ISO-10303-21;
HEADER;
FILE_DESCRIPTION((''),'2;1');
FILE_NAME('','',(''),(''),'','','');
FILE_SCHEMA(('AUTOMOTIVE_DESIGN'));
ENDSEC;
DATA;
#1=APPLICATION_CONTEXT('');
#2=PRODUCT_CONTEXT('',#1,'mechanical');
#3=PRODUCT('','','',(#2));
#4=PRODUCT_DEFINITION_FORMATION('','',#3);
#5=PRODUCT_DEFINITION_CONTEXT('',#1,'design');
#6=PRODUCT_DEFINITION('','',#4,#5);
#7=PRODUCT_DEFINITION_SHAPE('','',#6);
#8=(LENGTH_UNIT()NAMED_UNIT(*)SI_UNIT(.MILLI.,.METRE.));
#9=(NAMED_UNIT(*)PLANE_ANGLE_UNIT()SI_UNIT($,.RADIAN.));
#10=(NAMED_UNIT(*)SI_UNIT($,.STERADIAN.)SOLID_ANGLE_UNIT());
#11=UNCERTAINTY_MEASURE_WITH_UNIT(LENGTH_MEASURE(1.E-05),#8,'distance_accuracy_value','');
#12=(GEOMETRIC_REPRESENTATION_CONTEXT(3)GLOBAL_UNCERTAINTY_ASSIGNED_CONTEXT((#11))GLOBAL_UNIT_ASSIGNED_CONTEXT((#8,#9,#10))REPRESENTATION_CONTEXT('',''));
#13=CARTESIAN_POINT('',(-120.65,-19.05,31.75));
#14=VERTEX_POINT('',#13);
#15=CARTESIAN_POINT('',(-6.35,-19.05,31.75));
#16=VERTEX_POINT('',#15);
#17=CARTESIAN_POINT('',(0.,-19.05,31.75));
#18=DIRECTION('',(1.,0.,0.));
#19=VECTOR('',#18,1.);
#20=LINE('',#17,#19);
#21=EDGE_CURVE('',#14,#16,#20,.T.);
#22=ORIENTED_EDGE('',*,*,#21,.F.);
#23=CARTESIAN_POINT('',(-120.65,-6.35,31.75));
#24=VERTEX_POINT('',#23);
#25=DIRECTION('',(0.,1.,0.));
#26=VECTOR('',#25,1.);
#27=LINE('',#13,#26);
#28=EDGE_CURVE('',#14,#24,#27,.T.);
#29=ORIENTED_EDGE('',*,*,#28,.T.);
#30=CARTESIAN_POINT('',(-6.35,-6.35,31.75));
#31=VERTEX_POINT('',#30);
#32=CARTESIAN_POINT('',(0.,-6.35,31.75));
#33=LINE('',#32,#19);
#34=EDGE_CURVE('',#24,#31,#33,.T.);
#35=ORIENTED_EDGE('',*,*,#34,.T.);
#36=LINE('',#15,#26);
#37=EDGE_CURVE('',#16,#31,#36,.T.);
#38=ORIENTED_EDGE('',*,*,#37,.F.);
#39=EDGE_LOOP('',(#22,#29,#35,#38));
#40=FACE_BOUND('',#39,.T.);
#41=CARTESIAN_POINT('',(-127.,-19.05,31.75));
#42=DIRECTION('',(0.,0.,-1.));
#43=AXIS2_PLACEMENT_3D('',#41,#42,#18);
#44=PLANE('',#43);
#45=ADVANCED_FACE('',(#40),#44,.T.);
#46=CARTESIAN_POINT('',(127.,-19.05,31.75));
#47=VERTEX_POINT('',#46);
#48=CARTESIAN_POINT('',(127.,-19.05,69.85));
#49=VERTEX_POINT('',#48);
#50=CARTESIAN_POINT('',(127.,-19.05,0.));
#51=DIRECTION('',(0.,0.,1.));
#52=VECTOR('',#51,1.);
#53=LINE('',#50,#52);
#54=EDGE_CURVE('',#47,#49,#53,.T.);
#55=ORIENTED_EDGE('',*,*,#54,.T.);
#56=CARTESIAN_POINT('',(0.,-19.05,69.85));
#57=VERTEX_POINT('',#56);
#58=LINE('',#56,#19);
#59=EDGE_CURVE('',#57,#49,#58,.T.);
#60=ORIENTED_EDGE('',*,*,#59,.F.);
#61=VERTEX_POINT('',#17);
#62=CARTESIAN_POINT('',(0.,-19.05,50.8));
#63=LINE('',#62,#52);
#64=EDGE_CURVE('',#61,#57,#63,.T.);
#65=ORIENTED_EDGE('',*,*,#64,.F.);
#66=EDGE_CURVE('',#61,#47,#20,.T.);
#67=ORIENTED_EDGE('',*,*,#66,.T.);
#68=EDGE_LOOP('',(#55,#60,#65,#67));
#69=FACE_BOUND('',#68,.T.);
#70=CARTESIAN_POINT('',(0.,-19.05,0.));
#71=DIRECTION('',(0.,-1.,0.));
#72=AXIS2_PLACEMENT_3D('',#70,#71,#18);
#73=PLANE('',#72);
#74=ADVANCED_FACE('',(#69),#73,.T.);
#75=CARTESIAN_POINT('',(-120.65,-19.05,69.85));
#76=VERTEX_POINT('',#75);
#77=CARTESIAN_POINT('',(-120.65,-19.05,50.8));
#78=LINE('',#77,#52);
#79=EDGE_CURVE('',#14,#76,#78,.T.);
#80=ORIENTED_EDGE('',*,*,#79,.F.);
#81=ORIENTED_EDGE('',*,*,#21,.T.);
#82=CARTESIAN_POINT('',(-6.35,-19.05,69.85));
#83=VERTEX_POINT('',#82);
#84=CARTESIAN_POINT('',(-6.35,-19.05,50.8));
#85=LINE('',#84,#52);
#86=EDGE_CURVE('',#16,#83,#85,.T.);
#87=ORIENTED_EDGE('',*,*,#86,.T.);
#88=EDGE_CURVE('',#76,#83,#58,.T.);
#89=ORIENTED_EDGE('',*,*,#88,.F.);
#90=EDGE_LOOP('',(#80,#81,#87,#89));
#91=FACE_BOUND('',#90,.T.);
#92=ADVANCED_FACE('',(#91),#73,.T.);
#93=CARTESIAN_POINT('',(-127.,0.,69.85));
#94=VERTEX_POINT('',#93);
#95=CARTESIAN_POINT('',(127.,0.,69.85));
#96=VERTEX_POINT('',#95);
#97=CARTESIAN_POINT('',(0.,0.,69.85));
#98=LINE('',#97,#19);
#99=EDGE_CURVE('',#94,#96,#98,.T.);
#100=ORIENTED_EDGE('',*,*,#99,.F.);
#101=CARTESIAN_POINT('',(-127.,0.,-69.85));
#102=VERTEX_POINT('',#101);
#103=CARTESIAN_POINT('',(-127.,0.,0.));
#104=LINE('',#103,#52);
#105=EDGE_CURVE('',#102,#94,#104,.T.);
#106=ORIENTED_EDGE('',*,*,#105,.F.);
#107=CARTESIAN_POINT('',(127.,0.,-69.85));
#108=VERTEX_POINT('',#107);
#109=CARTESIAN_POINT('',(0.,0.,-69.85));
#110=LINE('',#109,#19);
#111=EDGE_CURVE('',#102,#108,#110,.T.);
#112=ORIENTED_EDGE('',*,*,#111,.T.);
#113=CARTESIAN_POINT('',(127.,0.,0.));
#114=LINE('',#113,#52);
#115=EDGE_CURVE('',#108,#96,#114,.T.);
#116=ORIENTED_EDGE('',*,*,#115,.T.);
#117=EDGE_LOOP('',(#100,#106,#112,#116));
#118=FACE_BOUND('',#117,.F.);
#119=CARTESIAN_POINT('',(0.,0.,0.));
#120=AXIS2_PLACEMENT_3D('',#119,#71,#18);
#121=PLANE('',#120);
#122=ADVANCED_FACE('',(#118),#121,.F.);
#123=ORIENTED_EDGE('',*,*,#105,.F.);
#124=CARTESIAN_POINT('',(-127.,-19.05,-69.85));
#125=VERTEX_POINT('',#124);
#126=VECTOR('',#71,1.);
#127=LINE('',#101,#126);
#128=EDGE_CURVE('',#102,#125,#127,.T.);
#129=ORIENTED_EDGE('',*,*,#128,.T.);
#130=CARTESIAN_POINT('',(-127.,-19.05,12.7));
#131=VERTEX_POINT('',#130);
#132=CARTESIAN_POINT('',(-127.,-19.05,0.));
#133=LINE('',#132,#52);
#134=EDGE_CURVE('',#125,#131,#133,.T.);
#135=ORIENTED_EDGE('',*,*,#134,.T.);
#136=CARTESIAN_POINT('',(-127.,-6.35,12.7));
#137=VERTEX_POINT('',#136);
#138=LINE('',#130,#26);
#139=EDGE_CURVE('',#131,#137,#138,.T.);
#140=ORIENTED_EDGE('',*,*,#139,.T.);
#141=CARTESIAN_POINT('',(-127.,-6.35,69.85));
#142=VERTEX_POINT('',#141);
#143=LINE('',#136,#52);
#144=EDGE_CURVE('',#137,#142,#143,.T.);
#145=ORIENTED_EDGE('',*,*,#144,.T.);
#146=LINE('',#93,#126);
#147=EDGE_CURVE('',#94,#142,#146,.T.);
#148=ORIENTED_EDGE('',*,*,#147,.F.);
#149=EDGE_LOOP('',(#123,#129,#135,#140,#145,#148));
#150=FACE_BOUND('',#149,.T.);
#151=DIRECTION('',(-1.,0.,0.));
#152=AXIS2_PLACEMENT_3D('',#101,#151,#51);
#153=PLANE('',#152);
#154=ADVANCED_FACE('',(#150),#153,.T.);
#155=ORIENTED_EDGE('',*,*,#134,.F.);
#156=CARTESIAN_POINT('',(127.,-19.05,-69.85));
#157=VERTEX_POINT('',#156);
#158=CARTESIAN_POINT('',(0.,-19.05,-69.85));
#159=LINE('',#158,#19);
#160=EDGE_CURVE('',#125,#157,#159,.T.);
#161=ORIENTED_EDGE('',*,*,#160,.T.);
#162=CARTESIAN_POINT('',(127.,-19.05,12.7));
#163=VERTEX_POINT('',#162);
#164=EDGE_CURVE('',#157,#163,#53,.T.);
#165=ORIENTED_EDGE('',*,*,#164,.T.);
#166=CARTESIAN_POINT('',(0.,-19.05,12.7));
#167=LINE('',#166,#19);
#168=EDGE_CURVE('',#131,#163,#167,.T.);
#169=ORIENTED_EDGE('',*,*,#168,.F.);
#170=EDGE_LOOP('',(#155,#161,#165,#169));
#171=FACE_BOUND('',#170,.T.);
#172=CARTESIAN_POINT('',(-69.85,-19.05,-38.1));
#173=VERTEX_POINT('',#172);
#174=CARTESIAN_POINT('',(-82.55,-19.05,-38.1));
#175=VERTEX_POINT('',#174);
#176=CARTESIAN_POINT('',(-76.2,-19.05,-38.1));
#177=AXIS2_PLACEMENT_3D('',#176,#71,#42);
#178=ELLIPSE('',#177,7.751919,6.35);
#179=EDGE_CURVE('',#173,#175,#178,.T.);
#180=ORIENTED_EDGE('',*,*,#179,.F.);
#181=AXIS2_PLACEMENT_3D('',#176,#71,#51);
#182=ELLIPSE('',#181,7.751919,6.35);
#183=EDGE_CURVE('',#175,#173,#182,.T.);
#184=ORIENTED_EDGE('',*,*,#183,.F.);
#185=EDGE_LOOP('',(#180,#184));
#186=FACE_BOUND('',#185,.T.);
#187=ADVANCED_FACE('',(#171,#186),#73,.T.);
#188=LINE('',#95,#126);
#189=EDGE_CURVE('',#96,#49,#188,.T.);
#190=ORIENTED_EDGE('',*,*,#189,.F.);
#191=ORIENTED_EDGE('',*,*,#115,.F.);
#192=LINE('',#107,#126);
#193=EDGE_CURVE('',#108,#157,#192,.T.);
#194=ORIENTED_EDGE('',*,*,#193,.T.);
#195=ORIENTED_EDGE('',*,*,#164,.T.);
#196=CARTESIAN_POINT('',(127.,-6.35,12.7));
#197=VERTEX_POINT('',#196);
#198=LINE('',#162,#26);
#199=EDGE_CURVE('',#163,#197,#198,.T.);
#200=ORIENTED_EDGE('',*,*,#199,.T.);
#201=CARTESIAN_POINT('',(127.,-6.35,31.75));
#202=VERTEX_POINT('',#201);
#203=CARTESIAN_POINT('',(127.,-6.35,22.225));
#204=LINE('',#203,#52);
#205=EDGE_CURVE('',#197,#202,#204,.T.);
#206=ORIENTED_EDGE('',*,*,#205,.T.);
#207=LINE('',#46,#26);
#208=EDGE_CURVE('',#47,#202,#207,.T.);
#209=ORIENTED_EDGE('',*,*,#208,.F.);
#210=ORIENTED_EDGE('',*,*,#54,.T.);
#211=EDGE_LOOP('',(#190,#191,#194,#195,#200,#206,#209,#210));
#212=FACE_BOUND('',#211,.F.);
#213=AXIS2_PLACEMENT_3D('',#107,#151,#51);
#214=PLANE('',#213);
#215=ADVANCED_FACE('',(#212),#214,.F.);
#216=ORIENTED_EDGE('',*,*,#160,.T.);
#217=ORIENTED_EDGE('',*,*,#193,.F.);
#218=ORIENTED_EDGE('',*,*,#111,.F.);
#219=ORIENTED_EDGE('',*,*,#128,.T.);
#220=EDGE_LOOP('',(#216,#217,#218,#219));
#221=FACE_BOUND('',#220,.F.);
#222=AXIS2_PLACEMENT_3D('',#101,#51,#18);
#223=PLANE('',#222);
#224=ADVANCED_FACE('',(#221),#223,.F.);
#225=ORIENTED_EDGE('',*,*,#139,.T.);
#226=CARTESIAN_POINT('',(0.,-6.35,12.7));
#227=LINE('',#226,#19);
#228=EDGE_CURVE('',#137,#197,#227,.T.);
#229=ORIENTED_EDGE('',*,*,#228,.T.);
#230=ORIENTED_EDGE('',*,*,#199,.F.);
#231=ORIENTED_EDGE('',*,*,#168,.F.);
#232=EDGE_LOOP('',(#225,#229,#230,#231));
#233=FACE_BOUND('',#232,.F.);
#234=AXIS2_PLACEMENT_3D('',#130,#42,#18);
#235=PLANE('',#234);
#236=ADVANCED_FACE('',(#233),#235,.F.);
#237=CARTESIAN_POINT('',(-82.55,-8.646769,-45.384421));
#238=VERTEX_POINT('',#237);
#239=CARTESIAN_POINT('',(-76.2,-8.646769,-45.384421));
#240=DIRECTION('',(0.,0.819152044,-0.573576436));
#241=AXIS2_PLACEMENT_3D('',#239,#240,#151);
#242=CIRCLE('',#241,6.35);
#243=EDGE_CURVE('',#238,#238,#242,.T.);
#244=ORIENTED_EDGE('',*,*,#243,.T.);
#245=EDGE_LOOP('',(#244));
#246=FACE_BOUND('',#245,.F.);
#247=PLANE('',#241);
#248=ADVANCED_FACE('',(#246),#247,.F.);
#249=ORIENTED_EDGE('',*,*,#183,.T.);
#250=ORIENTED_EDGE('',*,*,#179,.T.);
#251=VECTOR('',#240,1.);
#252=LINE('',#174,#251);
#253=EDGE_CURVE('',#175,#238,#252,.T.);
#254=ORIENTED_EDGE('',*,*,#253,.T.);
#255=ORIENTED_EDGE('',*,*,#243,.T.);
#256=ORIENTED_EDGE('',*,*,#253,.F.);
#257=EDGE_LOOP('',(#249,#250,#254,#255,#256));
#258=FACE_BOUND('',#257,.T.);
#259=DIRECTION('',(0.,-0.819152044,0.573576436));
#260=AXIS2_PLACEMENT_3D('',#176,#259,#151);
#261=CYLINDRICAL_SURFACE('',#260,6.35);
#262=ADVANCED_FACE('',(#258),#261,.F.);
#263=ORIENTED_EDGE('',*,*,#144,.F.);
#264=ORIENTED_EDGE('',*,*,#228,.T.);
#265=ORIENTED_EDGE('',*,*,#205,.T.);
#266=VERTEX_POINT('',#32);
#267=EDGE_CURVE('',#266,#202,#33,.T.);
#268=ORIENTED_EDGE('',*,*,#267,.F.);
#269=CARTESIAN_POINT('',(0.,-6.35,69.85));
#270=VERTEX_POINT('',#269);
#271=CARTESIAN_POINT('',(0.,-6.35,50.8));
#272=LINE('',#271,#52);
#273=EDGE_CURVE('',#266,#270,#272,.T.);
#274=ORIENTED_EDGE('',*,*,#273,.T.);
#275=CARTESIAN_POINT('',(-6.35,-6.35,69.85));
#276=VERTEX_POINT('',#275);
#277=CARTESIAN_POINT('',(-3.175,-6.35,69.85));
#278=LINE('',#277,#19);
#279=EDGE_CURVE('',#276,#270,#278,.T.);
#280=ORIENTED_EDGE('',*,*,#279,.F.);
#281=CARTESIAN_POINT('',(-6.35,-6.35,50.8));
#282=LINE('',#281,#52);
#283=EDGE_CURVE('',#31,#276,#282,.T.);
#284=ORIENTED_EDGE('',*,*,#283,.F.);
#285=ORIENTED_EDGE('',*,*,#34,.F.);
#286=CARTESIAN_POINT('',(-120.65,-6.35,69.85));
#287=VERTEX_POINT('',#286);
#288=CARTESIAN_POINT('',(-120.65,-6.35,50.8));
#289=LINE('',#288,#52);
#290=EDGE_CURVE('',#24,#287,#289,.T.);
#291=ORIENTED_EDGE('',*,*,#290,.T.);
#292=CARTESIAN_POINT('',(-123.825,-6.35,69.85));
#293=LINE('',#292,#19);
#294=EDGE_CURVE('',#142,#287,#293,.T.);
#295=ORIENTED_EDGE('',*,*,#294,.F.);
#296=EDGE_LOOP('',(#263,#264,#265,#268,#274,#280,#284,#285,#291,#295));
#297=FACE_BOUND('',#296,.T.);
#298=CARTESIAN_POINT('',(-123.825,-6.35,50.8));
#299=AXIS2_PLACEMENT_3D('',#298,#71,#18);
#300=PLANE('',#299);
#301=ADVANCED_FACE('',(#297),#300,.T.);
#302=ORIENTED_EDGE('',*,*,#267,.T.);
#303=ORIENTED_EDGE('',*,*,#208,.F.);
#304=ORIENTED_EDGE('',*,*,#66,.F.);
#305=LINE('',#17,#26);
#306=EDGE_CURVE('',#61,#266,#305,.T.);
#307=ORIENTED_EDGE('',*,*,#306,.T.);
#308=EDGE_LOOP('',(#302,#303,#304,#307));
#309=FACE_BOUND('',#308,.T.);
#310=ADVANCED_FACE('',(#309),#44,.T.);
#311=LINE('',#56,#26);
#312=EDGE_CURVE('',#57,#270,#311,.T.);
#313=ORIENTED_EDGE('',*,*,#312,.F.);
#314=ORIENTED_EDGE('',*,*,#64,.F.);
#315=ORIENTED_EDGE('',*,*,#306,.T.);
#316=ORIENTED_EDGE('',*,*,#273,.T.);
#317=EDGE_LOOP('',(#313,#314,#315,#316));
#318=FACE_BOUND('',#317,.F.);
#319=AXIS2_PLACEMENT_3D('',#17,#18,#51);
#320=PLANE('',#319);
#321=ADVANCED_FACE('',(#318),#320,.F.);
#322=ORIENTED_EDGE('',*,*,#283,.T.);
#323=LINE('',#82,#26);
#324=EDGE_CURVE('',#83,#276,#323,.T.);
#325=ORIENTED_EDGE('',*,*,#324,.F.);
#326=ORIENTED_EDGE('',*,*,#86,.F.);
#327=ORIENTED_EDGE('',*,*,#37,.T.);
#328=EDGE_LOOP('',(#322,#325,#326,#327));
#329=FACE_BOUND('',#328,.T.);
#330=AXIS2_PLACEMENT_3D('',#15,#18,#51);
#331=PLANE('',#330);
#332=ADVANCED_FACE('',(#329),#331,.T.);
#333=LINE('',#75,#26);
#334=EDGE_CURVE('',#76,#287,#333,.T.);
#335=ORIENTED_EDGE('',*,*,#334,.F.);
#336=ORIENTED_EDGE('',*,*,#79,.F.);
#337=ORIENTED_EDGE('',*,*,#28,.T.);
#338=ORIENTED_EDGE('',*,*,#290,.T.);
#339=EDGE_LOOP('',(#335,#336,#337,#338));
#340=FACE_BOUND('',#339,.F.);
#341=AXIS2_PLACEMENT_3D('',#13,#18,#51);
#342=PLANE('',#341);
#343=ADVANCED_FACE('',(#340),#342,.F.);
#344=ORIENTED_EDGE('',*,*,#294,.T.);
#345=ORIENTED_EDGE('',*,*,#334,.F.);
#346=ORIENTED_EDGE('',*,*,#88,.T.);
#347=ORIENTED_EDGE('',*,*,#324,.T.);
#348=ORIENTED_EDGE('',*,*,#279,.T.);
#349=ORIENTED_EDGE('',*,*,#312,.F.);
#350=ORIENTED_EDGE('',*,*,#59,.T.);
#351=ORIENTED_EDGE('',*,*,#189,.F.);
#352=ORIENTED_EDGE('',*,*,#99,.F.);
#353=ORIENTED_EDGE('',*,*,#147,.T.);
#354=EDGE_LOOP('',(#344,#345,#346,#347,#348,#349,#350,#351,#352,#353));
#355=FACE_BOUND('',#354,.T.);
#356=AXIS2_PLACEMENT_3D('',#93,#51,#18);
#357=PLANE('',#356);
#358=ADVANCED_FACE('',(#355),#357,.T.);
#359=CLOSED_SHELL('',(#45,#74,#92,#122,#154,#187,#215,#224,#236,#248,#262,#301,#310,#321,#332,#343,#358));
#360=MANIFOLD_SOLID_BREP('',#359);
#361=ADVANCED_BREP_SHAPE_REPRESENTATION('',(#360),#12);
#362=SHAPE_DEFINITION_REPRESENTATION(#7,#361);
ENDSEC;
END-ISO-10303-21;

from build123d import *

# Parameters (mm, degrees)
F0_W          = 254
F0_H          = 139.7
F1_DEPTH      = 19.05
F2_W          = 254
F2_H          = 19.05
F3_DEPTH      = 12.7
F4_W          = 6.35
F4_H          = 38.1
F5_DEPTH      = 12.7
F8_R          = 6.35
F9_DEPTH      = 12.7
F9_DEPTH_BACK = 12.7


with BuildPart() as f1:
    # F0 (on Front) → F1 (new body)
    with BuildSketch(Plane.XZ):
        Rectangle(F0_W, F0_H)
    extrude(amount=F1_DEPTH)

    # F2 (on face) → F3 (cut)
    with BuildSketch(Plane.XZ.offset(19.05)):
        with Locations((0, 22.225)):
            Rectangle(F2_W, F2_H)
    extrude(amount=-F3_DEPTH, mode=Mode.SUBTRACT)

    # F4 (on face) → F5 (cut)
    with BuildSketch(Plane.XZ.offset(19.05)):
        with Locations((-3.175, 50.8)):
            Rectangle(F4_W, F4_H)
        with Locations((-123.825, 50.8)):
            Rectangle(F4_W, F4_H)
    extrude(amount=-F5_DEPTH, mode=Mode.SUBTRACT)

    # F8 (on face) → F9 (cut, two sides)
    with BuildSketch(Plane(origin=(0, 5.1184025608, -3.5839440567), x_dir=(-1, 0, 0), z_dir=(0, 0.8191520443, -0.5735764364))) as f9_sk:
        with Locations((76.2, -42.1363239999)):
            Circle(F8_R)
    extrude(amount=F9_DEPTH, mode=Mode.SUBTRACT)
    extrude(f9_sk.sketch, amount=-F9_DEPTH_BACK, mode=Mode.SUBTRACT)


solid = f1.part
